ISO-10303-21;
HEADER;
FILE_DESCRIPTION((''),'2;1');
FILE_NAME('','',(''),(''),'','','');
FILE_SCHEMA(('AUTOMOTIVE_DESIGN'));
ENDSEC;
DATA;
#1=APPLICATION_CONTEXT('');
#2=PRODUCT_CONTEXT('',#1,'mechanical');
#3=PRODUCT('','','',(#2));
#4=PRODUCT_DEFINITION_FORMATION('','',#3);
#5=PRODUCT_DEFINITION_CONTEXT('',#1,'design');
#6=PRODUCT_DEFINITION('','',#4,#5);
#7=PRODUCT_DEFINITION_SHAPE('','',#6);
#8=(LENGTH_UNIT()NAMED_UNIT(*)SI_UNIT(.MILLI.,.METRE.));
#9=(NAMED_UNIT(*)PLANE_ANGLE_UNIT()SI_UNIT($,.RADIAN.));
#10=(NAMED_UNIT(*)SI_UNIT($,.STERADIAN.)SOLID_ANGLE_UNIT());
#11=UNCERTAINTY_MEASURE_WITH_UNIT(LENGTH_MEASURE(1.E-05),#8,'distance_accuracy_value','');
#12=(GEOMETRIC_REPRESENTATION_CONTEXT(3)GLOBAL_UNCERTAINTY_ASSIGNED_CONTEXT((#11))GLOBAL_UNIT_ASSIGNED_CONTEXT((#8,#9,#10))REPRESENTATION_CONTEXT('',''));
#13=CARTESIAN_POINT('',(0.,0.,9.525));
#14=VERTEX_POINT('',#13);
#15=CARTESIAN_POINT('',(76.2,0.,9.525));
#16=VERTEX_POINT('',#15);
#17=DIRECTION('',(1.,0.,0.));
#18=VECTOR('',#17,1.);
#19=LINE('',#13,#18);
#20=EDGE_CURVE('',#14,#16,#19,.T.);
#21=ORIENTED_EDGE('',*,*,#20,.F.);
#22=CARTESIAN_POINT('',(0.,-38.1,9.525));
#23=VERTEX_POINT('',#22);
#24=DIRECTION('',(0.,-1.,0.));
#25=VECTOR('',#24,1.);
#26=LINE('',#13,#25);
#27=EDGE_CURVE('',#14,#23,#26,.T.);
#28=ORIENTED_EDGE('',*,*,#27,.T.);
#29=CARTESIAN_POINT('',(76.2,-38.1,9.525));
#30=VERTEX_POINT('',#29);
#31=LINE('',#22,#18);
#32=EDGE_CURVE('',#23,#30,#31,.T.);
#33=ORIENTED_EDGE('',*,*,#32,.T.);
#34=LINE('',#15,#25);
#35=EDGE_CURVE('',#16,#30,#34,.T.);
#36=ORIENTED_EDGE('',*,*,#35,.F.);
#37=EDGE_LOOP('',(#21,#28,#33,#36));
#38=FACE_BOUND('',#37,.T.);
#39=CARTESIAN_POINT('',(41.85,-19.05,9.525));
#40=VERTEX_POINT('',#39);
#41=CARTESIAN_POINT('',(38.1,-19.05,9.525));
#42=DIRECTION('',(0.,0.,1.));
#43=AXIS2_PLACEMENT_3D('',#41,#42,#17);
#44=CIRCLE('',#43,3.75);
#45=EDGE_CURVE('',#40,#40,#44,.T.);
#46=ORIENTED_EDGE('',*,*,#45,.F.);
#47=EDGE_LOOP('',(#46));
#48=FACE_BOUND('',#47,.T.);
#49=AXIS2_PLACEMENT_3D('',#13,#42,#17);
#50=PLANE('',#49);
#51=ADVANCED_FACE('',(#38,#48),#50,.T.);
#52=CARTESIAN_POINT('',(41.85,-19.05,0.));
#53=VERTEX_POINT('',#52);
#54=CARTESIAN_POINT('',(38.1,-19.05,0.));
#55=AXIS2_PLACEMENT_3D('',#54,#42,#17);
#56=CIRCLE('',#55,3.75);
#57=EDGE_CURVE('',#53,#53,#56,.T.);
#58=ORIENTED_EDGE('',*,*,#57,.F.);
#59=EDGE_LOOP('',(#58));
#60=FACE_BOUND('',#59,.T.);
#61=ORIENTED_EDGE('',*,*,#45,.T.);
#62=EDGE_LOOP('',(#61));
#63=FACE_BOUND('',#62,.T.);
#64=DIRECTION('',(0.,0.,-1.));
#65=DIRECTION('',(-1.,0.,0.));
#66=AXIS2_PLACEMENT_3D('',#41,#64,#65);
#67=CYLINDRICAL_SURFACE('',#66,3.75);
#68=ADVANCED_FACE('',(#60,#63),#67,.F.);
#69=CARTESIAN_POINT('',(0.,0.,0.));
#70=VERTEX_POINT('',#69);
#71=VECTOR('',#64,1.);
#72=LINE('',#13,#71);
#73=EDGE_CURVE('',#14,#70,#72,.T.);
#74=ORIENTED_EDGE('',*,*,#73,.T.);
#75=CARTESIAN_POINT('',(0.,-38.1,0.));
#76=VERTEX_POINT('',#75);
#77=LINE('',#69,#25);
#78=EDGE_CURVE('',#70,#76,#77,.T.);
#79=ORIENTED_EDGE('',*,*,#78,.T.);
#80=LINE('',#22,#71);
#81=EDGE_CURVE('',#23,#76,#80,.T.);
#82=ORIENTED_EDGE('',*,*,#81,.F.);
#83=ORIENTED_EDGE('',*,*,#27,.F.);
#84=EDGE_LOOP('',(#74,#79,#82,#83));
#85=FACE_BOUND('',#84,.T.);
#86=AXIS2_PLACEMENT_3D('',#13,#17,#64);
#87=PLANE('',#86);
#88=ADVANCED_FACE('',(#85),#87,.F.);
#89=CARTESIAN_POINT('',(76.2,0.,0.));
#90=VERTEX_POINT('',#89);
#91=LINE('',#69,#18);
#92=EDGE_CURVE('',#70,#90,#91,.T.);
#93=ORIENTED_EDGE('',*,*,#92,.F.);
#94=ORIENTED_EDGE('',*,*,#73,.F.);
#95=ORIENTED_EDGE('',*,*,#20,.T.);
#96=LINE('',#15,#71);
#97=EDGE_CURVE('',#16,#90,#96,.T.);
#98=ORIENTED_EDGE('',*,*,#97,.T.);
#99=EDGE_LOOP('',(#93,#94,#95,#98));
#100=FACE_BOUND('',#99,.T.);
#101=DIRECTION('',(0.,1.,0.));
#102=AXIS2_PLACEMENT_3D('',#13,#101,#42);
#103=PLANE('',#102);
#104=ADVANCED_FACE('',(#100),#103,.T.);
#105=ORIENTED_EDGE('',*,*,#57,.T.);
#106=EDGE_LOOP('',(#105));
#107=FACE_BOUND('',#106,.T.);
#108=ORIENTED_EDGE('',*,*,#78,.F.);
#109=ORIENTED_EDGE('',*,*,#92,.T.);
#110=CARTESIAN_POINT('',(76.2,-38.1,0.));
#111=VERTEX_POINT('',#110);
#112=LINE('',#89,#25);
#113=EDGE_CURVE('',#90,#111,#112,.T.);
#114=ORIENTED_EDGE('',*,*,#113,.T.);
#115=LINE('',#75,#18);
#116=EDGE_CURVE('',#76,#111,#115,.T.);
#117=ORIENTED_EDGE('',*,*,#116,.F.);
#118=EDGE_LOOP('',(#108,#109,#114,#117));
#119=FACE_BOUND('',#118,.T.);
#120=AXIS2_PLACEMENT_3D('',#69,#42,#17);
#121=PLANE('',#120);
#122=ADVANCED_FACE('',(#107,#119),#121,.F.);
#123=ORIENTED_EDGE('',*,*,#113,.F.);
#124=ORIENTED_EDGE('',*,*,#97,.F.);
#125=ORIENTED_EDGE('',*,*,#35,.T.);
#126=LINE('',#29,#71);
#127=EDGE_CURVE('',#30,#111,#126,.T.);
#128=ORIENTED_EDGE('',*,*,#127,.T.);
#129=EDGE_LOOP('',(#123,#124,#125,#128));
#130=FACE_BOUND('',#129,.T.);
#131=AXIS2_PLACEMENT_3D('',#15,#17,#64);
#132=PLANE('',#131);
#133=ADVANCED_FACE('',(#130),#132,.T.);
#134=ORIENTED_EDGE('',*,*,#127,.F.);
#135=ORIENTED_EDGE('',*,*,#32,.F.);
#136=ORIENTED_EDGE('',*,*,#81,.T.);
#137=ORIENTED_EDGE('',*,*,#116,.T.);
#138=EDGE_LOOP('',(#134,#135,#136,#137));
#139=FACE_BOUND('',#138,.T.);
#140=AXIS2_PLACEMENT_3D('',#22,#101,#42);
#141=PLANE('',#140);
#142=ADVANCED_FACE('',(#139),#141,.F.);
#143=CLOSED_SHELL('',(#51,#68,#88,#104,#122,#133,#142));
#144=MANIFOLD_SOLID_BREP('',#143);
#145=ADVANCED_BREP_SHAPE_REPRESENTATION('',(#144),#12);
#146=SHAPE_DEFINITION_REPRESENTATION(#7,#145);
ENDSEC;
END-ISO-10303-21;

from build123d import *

# Parameters (mm, degrees)
SKETCH1_W           = 76.2
SKETCH1_H           = 38.1
SKETCH1_W_2         = 28
SKETCH1_H_2         = 28
SKETCH1_R           = 3.75
BOSS_EXTRUDE1_DEPTH = 9.525


with BuildPart() as part:
    # Sketch1 → Boss-Extrude1 (new body)
    with BuildSketch(Plane.XY):
        with Locations((38.1, -19.05)):
            Rectangle(SKETCH1_W, SKETCH1_H)
        with Locations((38.1, -19.05)):
            Rectangle(SKETCH1_W_2, SKETCH1_H_2, mode=Mode.SUBTRACT)
        with Locations((38.1, -19.05)):
            Rectangle(SKETCH1_W_2, SKETCH1_H_2)
        with Locations((38.1, -19.05)):
            Circle(SKETCH1_R, mode=Mode.SUBTRACT)
    extrude(amount=BOSS_EXTRUDE1_DEPTH)


solid = part.part
